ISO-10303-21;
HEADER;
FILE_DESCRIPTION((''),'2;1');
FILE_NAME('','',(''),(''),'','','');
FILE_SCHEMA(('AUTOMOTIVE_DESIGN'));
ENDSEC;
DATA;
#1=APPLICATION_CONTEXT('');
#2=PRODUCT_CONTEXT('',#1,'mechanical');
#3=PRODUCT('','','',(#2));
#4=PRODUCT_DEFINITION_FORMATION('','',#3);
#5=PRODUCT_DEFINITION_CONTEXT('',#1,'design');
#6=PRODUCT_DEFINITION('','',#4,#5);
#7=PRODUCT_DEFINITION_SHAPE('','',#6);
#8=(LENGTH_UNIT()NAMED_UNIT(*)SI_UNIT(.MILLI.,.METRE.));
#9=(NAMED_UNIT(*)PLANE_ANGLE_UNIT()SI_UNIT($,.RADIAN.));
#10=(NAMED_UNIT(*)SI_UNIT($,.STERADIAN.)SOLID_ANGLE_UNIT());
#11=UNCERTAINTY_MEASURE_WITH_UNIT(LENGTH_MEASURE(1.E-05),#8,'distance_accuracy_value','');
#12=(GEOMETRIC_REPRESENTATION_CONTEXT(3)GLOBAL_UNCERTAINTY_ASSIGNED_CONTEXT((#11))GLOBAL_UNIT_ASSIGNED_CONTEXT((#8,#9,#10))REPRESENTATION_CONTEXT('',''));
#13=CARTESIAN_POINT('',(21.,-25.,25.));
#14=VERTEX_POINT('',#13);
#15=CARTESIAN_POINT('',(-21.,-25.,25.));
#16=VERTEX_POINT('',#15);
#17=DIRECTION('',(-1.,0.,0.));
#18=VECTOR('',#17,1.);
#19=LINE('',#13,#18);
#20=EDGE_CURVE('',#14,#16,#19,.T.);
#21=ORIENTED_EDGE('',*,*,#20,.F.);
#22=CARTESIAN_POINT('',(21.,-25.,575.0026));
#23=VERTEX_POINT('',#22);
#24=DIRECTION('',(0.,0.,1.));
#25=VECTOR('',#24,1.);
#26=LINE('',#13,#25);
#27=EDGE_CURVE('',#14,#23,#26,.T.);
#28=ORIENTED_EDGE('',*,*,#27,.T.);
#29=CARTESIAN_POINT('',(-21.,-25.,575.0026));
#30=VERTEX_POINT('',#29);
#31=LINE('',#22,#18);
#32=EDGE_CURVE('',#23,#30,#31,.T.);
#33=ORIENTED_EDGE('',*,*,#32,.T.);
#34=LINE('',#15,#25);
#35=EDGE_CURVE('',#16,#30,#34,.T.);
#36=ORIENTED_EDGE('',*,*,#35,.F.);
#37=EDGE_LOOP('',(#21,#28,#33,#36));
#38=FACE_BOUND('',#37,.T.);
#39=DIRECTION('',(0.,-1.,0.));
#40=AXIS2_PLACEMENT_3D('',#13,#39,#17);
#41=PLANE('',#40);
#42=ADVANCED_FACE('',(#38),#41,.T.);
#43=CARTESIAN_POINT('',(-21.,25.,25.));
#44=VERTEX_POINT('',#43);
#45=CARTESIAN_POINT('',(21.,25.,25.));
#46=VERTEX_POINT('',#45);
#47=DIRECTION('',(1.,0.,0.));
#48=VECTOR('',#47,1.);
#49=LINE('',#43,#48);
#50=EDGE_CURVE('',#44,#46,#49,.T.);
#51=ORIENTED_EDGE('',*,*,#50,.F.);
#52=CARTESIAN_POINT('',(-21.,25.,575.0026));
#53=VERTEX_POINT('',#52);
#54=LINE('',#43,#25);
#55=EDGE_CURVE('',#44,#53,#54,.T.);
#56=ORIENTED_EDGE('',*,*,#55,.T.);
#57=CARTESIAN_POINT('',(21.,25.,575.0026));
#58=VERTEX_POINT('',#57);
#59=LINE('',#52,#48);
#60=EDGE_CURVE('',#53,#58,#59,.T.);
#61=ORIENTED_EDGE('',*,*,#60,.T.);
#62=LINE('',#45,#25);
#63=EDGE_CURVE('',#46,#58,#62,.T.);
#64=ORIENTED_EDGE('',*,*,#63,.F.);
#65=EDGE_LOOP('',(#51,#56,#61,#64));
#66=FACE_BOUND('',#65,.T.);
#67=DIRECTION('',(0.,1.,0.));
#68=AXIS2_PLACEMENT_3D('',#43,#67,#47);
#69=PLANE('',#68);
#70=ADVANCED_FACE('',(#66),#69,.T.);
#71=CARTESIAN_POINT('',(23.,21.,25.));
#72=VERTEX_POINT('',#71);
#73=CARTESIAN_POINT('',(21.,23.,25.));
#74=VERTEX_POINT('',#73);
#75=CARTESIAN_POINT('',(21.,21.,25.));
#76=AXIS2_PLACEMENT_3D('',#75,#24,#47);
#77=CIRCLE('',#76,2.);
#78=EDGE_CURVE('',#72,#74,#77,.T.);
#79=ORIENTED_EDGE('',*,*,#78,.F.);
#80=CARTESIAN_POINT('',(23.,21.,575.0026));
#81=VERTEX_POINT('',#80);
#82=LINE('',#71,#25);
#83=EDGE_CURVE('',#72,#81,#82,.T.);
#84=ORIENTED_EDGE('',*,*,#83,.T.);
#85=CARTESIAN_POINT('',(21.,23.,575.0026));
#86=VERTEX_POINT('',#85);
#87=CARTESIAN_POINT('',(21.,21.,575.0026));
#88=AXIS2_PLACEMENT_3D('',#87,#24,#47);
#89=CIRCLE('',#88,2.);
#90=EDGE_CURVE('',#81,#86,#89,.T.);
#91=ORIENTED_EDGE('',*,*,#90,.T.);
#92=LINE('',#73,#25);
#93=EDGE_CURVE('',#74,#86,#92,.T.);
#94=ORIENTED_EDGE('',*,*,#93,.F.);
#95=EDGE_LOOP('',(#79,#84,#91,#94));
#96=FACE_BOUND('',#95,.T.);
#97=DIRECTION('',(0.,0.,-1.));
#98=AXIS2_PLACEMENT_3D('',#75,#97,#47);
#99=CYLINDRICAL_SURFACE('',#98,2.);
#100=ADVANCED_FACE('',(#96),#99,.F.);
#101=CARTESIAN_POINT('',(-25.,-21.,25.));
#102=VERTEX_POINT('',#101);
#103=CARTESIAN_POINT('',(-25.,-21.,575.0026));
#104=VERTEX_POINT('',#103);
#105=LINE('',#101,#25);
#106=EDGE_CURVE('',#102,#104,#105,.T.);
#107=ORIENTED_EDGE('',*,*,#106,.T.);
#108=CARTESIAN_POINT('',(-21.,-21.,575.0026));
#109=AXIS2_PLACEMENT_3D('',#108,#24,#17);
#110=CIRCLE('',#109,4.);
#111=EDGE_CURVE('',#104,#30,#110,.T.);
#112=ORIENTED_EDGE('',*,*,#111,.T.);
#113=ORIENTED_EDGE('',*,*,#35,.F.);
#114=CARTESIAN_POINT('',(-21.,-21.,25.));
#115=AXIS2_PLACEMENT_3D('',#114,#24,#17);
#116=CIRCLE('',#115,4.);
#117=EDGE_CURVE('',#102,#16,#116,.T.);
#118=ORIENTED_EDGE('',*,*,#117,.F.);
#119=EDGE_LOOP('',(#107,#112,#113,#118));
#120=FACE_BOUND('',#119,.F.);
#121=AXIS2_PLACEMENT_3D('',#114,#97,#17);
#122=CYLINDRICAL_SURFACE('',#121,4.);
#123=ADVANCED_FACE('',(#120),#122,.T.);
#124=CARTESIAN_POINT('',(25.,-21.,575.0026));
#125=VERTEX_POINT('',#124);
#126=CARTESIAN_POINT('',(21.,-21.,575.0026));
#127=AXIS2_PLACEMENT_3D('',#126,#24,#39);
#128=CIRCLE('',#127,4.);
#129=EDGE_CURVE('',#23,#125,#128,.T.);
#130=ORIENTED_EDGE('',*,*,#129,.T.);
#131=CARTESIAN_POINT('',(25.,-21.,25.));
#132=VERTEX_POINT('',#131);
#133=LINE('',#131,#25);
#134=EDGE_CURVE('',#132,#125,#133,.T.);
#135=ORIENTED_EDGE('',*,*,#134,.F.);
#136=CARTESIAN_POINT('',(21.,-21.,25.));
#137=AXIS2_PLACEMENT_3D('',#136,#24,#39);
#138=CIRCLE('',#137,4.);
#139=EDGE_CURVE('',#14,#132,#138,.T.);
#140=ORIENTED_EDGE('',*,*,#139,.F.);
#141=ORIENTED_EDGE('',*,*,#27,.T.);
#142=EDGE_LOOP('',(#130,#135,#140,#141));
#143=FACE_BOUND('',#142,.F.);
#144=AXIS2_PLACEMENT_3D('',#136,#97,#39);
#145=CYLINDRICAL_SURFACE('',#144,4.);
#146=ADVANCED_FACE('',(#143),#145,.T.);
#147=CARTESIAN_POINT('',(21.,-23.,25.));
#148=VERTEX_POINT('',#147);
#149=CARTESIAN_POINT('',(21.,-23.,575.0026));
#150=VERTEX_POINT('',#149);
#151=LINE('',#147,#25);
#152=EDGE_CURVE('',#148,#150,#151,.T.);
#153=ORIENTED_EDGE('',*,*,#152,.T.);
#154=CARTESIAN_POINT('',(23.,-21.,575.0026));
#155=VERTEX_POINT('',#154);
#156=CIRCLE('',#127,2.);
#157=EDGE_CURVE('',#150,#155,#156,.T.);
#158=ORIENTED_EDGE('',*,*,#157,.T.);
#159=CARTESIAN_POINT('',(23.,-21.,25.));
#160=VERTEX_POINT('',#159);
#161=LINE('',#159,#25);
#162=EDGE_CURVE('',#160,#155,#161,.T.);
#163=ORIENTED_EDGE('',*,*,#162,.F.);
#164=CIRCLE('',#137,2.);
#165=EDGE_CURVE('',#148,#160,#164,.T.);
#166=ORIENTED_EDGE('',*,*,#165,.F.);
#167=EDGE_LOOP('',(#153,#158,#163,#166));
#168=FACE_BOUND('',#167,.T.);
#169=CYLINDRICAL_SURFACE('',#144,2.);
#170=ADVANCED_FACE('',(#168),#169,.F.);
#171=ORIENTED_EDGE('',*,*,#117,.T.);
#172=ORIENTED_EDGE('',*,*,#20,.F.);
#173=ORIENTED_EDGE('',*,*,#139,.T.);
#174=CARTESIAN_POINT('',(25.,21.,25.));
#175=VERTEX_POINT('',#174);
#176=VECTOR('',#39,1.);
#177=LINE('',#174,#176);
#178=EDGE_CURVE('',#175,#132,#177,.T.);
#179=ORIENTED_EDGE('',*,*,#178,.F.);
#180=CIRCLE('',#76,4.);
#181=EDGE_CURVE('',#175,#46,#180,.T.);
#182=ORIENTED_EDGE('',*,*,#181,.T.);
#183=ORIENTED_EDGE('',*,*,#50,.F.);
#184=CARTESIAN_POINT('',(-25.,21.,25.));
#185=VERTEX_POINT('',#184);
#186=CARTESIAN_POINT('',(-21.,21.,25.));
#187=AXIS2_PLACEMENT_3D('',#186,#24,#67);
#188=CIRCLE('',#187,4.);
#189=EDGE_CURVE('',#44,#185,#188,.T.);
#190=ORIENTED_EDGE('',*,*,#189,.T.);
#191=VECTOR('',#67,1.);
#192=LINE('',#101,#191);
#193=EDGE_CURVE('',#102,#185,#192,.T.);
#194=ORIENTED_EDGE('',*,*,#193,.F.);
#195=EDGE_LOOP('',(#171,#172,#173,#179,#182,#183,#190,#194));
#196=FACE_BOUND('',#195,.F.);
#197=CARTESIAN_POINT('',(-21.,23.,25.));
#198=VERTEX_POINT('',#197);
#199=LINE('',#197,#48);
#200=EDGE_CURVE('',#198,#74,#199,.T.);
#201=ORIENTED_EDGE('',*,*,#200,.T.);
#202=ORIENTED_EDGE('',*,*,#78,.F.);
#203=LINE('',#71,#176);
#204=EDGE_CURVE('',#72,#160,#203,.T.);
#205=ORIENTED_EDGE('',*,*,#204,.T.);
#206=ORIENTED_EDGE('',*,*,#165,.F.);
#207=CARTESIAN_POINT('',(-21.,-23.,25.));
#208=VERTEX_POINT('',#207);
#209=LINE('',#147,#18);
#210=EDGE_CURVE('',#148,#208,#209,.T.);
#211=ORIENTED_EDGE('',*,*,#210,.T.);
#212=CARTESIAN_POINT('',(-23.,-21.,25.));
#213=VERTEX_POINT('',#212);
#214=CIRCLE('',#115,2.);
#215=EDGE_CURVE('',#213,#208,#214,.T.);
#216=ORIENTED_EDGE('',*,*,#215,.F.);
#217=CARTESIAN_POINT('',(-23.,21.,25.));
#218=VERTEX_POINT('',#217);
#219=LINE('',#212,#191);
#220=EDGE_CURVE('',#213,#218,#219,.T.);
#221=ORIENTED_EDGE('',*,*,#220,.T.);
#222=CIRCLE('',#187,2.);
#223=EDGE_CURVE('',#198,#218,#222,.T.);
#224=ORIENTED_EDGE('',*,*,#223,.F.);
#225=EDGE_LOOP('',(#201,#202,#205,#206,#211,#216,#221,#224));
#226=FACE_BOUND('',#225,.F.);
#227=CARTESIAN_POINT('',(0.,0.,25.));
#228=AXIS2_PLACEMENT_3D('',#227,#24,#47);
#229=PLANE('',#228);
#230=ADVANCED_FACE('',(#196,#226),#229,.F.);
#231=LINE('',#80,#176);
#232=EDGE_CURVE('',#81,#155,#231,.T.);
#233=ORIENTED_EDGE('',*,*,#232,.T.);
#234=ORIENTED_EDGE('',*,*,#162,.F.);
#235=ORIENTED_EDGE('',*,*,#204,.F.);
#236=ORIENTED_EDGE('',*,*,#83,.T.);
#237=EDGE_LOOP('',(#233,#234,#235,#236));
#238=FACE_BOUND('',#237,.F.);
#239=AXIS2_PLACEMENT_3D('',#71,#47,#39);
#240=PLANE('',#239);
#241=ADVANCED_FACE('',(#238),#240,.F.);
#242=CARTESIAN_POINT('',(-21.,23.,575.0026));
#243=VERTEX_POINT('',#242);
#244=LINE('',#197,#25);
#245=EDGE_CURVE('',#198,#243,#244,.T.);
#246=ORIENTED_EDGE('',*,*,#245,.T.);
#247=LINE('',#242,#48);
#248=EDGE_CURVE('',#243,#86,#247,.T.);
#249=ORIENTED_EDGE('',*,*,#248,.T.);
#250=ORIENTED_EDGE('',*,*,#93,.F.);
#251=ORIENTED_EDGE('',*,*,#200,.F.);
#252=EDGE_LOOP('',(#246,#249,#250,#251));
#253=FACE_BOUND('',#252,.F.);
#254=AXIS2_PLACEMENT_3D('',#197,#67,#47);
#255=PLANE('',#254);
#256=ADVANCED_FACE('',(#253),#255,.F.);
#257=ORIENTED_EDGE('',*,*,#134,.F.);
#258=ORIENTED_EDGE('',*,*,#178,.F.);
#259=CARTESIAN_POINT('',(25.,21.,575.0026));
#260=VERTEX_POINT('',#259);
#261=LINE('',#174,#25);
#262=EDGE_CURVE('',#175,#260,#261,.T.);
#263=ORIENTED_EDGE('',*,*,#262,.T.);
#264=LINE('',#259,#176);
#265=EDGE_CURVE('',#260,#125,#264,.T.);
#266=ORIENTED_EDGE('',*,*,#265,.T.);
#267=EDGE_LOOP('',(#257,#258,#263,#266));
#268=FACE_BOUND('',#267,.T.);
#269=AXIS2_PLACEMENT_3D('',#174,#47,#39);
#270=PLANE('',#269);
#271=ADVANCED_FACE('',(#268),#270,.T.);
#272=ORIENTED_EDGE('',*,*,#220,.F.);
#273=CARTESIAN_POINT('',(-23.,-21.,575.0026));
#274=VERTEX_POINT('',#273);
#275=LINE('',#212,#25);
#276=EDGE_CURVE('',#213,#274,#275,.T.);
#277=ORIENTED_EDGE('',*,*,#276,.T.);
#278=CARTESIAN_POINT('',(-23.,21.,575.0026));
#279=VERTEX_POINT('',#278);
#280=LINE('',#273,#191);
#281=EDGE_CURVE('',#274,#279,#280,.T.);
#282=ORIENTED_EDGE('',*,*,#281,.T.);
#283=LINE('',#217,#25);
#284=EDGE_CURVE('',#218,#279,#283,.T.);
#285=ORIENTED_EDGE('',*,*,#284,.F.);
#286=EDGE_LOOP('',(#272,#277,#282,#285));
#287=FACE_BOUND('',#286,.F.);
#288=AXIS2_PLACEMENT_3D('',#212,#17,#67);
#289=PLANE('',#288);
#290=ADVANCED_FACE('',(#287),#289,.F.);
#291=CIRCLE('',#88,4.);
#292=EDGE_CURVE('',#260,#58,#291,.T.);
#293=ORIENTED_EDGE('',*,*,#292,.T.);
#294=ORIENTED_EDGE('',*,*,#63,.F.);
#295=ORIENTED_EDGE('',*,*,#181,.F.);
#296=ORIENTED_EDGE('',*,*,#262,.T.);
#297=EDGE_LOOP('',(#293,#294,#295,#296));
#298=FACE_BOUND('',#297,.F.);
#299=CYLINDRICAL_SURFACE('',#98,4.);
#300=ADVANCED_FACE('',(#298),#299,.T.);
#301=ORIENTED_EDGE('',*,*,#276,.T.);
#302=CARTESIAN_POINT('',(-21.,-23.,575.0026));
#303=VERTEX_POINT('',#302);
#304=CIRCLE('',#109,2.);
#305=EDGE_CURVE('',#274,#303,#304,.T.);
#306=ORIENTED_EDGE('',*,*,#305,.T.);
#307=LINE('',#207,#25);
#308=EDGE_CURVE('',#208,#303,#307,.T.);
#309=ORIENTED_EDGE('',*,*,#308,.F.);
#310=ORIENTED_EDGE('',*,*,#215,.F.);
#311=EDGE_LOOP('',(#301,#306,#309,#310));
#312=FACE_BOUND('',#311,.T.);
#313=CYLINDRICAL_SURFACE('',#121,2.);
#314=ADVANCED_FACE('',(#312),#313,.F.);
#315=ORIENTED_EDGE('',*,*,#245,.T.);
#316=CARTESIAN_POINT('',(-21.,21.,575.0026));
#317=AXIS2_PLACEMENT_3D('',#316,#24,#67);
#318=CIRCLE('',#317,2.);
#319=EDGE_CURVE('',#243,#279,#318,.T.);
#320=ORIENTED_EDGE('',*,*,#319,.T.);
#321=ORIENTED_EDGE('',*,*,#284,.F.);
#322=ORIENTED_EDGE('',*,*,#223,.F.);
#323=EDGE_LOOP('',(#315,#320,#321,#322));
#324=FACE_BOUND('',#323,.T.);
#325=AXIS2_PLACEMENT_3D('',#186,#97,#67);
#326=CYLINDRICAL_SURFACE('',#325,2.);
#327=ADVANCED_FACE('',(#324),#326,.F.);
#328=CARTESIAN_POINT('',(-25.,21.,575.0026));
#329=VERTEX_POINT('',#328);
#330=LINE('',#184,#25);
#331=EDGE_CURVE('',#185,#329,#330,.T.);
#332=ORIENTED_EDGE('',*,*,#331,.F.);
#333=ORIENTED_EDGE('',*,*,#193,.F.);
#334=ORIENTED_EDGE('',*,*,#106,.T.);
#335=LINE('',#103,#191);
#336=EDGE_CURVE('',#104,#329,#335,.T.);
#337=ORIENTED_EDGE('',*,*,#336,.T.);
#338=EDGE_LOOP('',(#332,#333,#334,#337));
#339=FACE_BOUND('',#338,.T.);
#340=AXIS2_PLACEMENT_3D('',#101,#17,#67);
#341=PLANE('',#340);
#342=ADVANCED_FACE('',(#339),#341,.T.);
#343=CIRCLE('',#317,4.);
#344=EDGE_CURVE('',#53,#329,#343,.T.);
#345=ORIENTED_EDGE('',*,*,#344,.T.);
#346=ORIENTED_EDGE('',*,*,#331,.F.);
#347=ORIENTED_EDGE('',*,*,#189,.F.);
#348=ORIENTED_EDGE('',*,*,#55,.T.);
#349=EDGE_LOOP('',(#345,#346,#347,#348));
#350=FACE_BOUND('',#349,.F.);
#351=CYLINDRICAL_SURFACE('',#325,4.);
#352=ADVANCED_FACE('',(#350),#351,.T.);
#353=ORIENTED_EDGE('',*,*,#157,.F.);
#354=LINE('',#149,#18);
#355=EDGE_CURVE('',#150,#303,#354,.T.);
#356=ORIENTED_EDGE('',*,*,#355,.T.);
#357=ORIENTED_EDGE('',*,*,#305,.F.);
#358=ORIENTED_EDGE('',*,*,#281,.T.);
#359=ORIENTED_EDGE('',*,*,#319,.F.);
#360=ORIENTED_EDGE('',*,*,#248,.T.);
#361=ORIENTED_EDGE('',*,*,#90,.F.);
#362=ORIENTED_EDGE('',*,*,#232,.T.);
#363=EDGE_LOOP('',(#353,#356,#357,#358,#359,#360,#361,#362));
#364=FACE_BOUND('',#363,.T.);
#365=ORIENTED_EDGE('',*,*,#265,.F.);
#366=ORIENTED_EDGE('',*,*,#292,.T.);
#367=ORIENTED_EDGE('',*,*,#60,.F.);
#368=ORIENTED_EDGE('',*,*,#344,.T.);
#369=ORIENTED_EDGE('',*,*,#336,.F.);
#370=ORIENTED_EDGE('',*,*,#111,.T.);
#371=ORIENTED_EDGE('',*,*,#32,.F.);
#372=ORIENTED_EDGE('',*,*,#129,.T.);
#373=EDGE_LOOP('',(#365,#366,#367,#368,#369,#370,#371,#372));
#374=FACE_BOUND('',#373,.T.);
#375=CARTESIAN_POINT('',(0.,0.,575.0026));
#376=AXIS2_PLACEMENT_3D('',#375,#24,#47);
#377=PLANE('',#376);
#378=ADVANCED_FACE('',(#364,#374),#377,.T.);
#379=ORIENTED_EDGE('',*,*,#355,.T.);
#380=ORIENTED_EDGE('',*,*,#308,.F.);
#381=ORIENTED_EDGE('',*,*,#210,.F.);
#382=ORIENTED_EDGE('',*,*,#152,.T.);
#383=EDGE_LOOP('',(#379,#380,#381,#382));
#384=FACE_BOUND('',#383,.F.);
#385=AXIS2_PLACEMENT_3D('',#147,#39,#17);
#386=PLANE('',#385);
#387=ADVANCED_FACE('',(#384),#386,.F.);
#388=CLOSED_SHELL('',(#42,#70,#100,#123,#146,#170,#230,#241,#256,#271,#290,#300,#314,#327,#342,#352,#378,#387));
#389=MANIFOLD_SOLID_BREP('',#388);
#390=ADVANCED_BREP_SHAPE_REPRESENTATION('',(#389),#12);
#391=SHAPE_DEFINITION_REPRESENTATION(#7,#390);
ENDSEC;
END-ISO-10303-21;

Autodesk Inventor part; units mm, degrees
ref_plane "Start Plane" through (0, 0, 25) normal (0, 0, 1) x (1, 0, 0)
ref_plane "End Plane" through (0, 0, 575.0026) normal (0, 0, 1) x (1, 0, 0)
sketch "Sketch" plane through (0, 0, 0) normal (0, 0, 1) x (1, 0, 0)
  line L0 (-25, -21) -> (-25, 21)
  line L1 (-21, 25) -> (21, 25)
  line L2 (25, 21) -> (25, -21)
  line L3 (21, -25) -> (-21, -25)
  arc A0 (-25, -21) -> (-21, -25) centre (-21, -21) ccw
  arc A1 (25, 21) -> (21, 25) centre (21, 21) ccw
  arc A2 (-21, 25) -> (-25, 21) centre (-21, 21) ccw
  arc A3 (21, -25) -> (25, -21) centre (21, -21) ccw
  arc A4 (-21, 23) -> (-23, 21) centre (-21, 21) ccw
  line L4 (-21, 23) -> (21, 23)
  arc A5 (23, 21) -> (21, 23) centre (21, 21) ccw
  line L5 (23, 21) -> (23, -21)
  arc A6 (21, -23) -> (23, -21) centre (21, -21) ccw
  line L6 (21, -23) -> (-21, -23)
  arc A7 (-23, -21) -> (-21, -23) centre (-21, -21) ccw
  line L7 (-23, -21) -> (-23, 21)
  line L8 (0, 36.1598) -> (0, -36.1598) construction
  line L9 (-36.1598, 0) -> (36.1598, 0) construction
  dimension "d7" = 4
  dimension "d9" = 50
  dimension "d11" = 50
  dimension "d12" = 2
  dimension "d15" = 25
  dimension "d16" = 25
extrude "Body" add sketch "Sketch" along normal up to surface (550.0026 mm away) from surface at 25
sketch "Sketch3" plane through (0, 0, 0) normal (0, 0, 1) x (1, 0, 0)
  line L0 (0, 0) -> (10, 0)
ref_plane "Work Plane3" through (0, 0, 0) normal (0, -1, 0) x (1, 0, 0)
sketch "Sketch4" plane through (0, 0, 0) normal (0, -1, 0) x (1, 0, 0)
  line L0 (-2, 25) -> (12, 25)
  line L1 (-2, 575.0026) -> (12, 575.0026)
  dimension "d18" = 550.0026
ref_plane "Work Plane4" through (-1920, 21, 575.0026) normal (0, 0, 1) x (1, 0, 0)
split "Split1" plane through (-1920, 21, 575.0026) removes the side toward (0, 0, 1)
ref_plane "Work Plane5" through (392.5, 21, 25) normal (0, 0, -1) x (-1, 0, 0)
split "Split2" plane through (392.5, 21, 25) removes the side toward (0, 0, -1)
equation "\"d7\" = G_IR"
equation "\"d9\" = G_W"
equation "\"d11\" = G_H"
equation "\"d12\" = G_T"
equation "\"d15\" = 0.5 * d9"
equation "\"d16\" = 0.5 * d11"
equation "\"d3\" = G_L"
equation "\"G_W\" = 50"
equation "\"G_H\" = 50"
equation "\"G_T\" = 2"
equation "\"G_IR\" = 4"
equation "\"G_L\" = d18"
equation "\"G_OFFSET_START\" = -25"
equation "\"G_OFFSET_END\" = -25"
equation "\"d13\" = -G_OFFSET_START"
equation "\"d14\" = G_OFFSET_END + B_L"
equation "\"B_L\" = 600.0026"
properties part number "ISO 10799-2 - 50x50x2 - 550"
